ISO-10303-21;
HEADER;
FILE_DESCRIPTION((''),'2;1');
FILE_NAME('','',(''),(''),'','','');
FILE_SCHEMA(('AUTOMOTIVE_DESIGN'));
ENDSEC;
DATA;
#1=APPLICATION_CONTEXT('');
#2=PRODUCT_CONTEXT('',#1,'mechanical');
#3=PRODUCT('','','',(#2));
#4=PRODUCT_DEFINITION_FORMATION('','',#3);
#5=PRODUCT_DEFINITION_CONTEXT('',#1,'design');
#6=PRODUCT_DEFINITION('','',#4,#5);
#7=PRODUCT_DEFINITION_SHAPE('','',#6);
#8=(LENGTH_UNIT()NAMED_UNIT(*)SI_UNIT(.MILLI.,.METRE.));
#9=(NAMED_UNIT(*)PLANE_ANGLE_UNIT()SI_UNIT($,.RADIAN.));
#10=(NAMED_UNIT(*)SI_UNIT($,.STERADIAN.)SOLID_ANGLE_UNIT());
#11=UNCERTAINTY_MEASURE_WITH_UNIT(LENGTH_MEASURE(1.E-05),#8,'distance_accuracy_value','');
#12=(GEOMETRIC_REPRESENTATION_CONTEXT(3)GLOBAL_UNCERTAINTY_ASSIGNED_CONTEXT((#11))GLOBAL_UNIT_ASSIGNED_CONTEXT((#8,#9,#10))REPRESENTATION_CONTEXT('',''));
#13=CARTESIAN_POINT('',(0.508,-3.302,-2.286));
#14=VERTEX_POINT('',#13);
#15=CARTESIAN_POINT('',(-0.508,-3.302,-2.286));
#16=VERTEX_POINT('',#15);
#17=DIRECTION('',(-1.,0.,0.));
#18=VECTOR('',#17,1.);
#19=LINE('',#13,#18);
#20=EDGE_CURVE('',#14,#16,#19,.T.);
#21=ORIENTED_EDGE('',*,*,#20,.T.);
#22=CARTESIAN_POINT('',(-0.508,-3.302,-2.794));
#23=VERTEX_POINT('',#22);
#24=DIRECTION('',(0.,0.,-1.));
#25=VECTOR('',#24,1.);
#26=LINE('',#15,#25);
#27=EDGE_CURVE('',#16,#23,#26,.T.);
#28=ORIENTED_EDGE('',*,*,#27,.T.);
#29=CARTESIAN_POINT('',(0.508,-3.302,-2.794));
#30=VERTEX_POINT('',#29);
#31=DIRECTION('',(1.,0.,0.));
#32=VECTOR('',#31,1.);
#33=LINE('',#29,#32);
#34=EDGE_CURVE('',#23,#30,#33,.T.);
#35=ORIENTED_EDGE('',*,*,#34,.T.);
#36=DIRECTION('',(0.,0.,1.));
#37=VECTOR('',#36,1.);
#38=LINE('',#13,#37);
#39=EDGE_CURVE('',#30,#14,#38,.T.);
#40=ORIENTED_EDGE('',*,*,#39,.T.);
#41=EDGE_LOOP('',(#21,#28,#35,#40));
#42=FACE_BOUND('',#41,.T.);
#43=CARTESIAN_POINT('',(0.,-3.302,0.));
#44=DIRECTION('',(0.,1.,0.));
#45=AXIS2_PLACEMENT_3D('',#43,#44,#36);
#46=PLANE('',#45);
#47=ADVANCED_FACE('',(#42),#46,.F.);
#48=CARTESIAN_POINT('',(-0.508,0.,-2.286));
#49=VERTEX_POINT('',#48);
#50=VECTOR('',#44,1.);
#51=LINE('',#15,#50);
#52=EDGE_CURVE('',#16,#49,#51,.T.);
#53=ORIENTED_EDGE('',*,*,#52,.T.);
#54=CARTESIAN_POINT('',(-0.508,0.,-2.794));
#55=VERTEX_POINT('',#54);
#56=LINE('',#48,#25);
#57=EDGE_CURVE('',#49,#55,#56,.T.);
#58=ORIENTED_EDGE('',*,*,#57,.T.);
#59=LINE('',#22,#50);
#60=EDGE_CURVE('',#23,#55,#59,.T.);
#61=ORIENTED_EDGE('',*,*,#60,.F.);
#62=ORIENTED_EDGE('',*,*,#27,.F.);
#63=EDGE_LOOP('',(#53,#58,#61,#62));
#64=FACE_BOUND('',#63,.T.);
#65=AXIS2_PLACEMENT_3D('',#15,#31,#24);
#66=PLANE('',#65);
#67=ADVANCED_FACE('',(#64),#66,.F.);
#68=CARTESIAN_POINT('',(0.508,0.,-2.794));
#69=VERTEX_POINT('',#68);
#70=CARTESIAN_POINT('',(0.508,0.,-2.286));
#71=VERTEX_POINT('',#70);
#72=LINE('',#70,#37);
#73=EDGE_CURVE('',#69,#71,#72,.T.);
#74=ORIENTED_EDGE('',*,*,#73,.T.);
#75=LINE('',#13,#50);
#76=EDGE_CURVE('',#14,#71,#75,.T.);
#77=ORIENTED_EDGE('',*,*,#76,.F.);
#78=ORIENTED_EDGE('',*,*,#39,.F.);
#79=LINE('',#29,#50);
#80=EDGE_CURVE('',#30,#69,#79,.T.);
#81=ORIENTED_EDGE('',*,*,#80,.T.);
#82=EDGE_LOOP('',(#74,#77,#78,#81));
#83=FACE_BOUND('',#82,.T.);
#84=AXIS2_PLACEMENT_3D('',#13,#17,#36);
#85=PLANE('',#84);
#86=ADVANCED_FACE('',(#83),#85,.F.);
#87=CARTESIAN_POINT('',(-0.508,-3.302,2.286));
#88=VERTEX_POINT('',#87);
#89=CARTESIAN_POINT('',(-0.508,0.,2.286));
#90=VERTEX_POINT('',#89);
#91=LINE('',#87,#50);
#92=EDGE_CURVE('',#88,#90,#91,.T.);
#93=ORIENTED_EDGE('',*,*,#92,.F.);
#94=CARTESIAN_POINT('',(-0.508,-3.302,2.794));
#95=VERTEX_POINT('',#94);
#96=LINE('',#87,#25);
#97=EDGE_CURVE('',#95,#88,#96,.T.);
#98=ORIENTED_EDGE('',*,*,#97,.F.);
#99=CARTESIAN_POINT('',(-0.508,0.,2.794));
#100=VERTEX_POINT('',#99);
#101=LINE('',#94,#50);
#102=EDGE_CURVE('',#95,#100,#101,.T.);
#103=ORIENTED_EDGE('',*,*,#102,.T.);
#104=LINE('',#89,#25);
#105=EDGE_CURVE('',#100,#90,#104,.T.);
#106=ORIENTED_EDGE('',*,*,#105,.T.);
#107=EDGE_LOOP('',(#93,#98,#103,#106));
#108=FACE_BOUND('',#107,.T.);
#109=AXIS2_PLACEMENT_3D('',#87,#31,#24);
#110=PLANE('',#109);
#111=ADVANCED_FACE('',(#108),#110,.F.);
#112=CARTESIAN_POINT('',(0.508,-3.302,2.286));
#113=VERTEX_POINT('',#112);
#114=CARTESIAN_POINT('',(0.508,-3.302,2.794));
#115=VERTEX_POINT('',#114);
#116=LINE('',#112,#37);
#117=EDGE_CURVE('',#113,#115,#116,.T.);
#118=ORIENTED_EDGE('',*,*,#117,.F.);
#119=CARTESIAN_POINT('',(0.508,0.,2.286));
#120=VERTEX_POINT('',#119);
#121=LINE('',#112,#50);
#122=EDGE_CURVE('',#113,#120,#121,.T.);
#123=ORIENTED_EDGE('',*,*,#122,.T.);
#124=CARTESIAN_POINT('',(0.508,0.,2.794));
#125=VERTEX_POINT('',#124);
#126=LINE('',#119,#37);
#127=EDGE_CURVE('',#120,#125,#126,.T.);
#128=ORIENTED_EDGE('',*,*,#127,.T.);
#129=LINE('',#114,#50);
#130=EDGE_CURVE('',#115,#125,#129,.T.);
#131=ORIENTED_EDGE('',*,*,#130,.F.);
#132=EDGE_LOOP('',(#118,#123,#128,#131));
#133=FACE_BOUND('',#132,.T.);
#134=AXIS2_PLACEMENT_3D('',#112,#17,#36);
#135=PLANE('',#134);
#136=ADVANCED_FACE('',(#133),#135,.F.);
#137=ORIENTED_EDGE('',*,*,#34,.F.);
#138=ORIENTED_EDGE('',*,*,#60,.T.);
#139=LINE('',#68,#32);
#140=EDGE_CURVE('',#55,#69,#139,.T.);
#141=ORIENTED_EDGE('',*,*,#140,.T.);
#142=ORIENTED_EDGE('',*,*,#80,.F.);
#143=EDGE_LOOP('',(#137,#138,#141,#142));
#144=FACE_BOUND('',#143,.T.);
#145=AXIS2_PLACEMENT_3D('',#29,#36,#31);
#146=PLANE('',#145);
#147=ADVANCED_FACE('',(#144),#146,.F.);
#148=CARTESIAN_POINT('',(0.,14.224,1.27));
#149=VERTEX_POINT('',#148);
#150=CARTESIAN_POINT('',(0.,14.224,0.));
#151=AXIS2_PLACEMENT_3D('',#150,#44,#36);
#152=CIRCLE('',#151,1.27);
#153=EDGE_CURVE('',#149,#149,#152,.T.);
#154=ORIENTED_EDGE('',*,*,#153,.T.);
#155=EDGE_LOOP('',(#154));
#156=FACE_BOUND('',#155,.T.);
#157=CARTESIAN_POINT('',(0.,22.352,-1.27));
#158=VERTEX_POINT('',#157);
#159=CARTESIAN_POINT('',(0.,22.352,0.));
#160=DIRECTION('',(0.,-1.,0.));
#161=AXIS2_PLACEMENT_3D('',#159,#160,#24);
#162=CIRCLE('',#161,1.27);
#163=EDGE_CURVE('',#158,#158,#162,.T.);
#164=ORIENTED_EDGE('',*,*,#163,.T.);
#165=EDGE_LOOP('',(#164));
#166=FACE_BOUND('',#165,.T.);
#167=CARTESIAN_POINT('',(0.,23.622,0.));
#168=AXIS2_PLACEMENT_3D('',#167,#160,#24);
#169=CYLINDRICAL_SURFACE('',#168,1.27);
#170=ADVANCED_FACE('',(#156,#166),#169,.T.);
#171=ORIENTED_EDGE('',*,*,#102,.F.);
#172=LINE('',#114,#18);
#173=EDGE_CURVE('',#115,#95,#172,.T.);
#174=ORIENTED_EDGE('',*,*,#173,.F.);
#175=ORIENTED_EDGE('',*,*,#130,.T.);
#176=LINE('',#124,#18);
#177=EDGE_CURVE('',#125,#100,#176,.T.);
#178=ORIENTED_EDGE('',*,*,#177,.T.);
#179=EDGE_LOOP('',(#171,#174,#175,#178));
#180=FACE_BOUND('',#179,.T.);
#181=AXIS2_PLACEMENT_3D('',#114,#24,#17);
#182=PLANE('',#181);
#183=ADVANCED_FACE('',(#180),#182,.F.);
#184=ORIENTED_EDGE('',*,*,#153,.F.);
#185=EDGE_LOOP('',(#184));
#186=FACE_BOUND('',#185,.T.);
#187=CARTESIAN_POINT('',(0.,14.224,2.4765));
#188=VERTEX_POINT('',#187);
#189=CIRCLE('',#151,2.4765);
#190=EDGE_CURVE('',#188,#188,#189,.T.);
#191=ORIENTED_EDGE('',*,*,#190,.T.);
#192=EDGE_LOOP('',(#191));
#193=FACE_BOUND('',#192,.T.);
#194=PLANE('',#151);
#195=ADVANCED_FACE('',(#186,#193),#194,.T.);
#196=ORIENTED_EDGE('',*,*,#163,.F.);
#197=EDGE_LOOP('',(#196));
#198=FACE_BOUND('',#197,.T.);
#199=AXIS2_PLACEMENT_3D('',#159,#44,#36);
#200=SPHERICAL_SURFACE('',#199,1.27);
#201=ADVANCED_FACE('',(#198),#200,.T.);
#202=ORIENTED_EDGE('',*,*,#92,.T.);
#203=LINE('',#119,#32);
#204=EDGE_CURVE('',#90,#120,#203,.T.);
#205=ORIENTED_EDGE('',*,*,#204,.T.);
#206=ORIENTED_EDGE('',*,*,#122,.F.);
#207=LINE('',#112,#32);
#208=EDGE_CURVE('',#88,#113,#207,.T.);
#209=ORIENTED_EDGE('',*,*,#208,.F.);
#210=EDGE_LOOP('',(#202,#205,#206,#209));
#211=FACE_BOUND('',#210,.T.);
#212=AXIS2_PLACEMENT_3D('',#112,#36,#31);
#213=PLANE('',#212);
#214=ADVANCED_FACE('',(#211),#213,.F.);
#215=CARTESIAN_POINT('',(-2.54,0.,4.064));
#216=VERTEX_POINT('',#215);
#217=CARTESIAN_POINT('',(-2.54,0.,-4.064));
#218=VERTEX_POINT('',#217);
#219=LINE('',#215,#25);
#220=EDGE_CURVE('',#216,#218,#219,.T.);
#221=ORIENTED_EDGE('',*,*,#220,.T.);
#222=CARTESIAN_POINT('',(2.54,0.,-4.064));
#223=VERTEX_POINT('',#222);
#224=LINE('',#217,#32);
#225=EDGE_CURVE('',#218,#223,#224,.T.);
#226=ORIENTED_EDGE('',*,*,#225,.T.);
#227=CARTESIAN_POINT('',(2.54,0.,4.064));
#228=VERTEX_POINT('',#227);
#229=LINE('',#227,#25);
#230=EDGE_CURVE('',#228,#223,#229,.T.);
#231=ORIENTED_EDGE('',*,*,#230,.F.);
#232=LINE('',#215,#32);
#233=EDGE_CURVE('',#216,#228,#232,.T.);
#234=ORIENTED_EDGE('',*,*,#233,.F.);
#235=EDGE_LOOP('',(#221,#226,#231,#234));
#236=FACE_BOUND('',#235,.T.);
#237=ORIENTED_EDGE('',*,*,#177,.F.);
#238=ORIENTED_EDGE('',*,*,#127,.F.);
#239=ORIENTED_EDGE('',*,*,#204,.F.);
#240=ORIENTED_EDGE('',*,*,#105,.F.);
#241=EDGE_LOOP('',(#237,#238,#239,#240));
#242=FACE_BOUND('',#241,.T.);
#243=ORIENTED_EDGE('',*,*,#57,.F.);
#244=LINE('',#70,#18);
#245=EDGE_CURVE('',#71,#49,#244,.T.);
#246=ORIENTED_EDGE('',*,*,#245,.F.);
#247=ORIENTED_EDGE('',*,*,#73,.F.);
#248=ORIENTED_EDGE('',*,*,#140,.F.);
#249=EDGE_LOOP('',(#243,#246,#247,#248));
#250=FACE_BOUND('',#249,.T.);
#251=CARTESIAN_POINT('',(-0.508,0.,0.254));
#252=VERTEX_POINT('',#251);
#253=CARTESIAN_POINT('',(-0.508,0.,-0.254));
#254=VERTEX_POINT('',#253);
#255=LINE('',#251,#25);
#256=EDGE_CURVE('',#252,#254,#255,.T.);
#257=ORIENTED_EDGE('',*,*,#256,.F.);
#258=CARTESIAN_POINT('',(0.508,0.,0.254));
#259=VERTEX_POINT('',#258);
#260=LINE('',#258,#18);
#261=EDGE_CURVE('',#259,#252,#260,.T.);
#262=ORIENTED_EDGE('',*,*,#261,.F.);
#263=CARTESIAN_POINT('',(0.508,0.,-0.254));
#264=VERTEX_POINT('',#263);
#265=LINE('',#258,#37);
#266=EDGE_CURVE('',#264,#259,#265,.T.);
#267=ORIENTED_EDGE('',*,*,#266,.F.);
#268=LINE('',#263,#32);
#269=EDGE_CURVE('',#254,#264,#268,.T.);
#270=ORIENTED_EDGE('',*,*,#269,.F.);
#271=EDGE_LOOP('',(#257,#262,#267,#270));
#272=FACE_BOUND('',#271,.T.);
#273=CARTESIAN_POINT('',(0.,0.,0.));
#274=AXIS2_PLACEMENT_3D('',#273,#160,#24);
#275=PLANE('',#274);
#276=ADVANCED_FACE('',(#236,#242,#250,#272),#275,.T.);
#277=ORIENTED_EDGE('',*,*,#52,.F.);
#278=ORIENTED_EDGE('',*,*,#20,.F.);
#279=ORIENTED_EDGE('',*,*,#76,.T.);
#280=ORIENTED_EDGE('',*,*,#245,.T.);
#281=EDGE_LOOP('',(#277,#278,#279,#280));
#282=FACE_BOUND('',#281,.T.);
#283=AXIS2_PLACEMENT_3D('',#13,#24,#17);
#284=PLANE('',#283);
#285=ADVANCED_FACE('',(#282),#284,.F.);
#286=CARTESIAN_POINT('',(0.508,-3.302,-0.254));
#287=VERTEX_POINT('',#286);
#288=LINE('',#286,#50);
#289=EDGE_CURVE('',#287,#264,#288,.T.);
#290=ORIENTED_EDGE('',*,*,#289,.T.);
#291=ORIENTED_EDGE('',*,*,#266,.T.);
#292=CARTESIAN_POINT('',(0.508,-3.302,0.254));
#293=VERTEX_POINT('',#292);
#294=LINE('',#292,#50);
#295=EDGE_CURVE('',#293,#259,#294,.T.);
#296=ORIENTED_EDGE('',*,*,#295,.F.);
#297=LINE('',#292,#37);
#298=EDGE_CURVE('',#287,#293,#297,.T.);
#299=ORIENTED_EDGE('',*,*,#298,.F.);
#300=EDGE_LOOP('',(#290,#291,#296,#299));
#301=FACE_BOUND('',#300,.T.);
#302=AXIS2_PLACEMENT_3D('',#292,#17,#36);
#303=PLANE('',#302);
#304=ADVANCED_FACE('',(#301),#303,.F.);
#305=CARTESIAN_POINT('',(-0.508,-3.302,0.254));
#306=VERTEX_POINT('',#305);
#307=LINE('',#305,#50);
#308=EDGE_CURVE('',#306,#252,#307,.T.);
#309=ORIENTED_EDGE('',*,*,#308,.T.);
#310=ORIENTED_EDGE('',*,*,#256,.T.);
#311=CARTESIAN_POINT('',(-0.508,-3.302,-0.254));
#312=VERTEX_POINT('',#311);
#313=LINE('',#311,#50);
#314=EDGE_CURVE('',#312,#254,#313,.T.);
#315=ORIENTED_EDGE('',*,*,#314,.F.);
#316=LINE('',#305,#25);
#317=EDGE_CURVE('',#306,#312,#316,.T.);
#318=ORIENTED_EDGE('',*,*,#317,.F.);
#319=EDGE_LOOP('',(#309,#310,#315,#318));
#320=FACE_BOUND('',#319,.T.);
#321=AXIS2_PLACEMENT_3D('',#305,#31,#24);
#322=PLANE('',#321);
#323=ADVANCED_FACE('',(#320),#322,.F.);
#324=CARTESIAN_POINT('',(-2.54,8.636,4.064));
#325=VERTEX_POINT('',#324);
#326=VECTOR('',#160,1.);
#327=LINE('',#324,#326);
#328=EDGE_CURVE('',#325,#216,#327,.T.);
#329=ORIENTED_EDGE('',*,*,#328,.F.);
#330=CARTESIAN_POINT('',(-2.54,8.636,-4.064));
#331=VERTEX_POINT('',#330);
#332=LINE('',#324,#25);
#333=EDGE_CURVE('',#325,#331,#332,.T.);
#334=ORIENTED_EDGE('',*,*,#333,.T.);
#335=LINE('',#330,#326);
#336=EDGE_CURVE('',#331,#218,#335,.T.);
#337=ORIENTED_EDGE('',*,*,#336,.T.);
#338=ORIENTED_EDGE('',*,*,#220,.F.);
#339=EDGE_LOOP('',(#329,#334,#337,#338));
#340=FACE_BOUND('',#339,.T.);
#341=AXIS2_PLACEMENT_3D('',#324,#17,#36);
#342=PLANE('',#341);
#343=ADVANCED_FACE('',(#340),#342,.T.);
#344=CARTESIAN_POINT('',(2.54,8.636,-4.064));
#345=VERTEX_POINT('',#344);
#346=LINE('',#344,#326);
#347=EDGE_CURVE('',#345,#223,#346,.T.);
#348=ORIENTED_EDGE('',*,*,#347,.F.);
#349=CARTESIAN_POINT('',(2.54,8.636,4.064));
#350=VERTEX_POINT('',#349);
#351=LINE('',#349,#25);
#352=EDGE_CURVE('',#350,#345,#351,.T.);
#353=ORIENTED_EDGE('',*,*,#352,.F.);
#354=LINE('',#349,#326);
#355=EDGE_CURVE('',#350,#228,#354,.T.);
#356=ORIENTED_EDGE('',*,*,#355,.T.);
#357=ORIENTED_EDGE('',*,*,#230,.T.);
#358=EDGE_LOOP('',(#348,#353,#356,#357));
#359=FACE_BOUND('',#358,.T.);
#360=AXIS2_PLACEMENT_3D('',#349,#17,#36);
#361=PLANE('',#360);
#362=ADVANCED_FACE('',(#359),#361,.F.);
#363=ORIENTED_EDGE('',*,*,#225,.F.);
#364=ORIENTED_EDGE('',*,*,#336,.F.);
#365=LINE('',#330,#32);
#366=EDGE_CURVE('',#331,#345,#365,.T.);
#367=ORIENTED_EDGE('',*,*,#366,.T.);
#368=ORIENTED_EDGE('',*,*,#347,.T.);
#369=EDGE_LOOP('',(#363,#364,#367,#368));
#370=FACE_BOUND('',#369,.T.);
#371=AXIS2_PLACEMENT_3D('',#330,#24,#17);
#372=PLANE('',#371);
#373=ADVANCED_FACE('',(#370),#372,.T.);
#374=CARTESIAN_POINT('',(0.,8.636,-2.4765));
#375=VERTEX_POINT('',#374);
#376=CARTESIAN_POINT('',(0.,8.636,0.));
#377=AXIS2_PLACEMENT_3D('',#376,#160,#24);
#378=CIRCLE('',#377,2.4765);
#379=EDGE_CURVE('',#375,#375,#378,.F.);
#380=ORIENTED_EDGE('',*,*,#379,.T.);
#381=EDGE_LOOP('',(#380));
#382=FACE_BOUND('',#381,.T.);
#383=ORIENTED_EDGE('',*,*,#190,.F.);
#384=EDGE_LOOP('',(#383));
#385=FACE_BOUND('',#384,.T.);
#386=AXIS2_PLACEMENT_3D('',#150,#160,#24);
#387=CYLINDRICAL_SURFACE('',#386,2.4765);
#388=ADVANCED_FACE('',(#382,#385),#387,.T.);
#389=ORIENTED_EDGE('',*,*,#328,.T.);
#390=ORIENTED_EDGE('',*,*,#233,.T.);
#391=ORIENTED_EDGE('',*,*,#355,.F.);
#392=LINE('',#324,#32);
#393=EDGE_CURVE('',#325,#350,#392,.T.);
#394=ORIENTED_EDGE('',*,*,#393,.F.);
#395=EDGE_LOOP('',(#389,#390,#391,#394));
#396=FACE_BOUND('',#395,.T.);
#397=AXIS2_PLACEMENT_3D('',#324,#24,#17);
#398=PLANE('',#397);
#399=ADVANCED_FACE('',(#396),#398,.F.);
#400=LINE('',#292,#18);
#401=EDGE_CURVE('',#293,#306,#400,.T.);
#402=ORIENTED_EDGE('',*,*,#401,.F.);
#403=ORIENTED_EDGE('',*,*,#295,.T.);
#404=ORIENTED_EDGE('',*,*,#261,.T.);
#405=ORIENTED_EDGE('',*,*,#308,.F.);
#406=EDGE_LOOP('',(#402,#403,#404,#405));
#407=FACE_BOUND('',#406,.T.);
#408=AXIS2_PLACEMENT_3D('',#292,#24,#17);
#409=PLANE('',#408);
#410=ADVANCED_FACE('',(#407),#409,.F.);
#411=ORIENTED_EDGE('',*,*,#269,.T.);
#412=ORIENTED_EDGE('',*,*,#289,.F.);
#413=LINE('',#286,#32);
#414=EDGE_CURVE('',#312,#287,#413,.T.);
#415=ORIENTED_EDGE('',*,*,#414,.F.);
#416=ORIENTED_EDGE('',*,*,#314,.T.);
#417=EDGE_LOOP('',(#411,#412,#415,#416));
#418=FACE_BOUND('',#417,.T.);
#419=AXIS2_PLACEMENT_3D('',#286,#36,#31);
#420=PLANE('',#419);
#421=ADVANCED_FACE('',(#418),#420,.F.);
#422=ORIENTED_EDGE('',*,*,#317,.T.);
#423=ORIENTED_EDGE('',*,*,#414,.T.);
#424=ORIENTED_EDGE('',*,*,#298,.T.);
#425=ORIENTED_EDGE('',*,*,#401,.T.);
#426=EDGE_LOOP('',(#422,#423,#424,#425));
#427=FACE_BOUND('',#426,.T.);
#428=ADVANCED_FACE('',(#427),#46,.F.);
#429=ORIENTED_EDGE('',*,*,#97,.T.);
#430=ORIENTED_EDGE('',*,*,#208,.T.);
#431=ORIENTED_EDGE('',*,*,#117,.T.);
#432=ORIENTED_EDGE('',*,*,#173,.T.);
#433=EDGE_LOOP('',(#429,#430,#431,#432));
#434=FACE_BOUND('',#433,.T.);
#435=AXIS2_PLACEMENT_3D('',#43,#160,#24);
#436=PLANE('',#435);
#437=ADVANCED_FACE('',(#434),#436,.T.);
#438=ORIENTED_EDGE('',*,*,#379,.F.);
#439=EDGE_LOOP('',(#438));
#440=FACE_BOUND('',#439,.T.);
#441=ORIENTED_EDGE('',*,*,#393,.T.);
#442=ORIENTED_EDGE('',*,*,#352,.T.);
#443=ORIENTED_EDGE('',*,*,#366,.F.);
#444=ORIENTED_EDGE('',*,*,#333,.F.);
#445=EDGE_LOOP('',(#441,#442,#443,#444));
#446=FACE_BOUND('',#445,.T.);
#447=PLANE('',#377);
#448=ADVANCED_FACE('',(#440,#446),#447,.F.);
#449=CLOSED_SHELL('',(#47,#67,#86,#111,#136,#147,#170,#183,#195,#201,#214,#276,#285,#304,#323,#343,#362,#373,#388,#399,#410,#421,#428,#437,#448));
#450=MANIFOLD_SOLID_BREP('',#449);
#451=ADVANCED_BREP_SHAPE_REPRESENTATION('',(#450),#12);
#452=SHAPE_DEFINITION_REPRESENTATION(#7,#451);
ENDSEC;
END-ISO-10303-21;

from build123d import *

# Parameters (mm, degrees)
SKETCH1_W           = 5.08
SKETCH1_H           = 8.128
BOSS_EXTRUDE1_DEPTH = 8.636
SKETCH2_R           = 2.4765
BOSS_EXTRUDE2_DEPTH = 5.588
SKETCH3_W           = 1.016
SKETCH3_H           = 0.508
BOSS_EXTRUDE3_DEPTH = 3.302
SKETCH4_R           = 1.27
BOSS_EXTRUDE4_DEPTH = 9.398
FILLET1_R           = 1.27


with BuildPart() as part:
    # Sketch1 → Boss-Extrude1 (new body)
    with BuildSketch(Plane(origin=(0, 0, 0), x_dir=(1, 0, 0), z_dir=(0, 1, 0))):
        Rectangle(SKETCH1_W, SKETCH1_H)
    extrude(amount=BOSS_EXTRUDE1_DEPTH)

    # Sketch2 → Boss-Extrude2 (add)
    with BuildSketch(Plane(origin=(0, 8.636, 0), x_dir=(1, 0, 0), z_dir=(0, 1, 0))):
        with Locations(Location((0, 0, 0), (0, 0, 90))):
            Circle(SKETCH2_R)
    extrude(amount=BOSS_EXTRUDE2_DEPTH)

    # Sketch3 → Boss-Extrude3 (add)
    with BuildSketch(Plane.XZ):
        Rectangle(SKETCH3_W, SKETCH3_H)
        with Locations((0, -2.54)):
            Rectangle(SKETCH3_W, SKETCH3_H)
        with Locations((0, 2.54)):
            Rectangle(SKETCH3_W, SKETCH3_H)
    extrude(amount=BOSS_EXTRUDE3_DEPTH)

    # Sketch4 → Boss-Extrude4 (add)
    with BuildSketch(Plane(origin=(0, 14.224, 0), x_dir=(1, 0, 0), z_dir=(0, 1, 0))):
        with Locations(Location((0, 0, 0), (0, 0, 270))):
            Circle(SKETCH4_R)
    extrude(amount=BOSS_EXTRUDE4_DEPTH)

    # Fillet1
    fillet1_edges = [part.edges().sort_by_distance(p)[0] for p in [
        (0, 23.622, -1.27),
    ]]
    fillet(fillet1_edges, radius=FILLET1_R)


solid = part.part
